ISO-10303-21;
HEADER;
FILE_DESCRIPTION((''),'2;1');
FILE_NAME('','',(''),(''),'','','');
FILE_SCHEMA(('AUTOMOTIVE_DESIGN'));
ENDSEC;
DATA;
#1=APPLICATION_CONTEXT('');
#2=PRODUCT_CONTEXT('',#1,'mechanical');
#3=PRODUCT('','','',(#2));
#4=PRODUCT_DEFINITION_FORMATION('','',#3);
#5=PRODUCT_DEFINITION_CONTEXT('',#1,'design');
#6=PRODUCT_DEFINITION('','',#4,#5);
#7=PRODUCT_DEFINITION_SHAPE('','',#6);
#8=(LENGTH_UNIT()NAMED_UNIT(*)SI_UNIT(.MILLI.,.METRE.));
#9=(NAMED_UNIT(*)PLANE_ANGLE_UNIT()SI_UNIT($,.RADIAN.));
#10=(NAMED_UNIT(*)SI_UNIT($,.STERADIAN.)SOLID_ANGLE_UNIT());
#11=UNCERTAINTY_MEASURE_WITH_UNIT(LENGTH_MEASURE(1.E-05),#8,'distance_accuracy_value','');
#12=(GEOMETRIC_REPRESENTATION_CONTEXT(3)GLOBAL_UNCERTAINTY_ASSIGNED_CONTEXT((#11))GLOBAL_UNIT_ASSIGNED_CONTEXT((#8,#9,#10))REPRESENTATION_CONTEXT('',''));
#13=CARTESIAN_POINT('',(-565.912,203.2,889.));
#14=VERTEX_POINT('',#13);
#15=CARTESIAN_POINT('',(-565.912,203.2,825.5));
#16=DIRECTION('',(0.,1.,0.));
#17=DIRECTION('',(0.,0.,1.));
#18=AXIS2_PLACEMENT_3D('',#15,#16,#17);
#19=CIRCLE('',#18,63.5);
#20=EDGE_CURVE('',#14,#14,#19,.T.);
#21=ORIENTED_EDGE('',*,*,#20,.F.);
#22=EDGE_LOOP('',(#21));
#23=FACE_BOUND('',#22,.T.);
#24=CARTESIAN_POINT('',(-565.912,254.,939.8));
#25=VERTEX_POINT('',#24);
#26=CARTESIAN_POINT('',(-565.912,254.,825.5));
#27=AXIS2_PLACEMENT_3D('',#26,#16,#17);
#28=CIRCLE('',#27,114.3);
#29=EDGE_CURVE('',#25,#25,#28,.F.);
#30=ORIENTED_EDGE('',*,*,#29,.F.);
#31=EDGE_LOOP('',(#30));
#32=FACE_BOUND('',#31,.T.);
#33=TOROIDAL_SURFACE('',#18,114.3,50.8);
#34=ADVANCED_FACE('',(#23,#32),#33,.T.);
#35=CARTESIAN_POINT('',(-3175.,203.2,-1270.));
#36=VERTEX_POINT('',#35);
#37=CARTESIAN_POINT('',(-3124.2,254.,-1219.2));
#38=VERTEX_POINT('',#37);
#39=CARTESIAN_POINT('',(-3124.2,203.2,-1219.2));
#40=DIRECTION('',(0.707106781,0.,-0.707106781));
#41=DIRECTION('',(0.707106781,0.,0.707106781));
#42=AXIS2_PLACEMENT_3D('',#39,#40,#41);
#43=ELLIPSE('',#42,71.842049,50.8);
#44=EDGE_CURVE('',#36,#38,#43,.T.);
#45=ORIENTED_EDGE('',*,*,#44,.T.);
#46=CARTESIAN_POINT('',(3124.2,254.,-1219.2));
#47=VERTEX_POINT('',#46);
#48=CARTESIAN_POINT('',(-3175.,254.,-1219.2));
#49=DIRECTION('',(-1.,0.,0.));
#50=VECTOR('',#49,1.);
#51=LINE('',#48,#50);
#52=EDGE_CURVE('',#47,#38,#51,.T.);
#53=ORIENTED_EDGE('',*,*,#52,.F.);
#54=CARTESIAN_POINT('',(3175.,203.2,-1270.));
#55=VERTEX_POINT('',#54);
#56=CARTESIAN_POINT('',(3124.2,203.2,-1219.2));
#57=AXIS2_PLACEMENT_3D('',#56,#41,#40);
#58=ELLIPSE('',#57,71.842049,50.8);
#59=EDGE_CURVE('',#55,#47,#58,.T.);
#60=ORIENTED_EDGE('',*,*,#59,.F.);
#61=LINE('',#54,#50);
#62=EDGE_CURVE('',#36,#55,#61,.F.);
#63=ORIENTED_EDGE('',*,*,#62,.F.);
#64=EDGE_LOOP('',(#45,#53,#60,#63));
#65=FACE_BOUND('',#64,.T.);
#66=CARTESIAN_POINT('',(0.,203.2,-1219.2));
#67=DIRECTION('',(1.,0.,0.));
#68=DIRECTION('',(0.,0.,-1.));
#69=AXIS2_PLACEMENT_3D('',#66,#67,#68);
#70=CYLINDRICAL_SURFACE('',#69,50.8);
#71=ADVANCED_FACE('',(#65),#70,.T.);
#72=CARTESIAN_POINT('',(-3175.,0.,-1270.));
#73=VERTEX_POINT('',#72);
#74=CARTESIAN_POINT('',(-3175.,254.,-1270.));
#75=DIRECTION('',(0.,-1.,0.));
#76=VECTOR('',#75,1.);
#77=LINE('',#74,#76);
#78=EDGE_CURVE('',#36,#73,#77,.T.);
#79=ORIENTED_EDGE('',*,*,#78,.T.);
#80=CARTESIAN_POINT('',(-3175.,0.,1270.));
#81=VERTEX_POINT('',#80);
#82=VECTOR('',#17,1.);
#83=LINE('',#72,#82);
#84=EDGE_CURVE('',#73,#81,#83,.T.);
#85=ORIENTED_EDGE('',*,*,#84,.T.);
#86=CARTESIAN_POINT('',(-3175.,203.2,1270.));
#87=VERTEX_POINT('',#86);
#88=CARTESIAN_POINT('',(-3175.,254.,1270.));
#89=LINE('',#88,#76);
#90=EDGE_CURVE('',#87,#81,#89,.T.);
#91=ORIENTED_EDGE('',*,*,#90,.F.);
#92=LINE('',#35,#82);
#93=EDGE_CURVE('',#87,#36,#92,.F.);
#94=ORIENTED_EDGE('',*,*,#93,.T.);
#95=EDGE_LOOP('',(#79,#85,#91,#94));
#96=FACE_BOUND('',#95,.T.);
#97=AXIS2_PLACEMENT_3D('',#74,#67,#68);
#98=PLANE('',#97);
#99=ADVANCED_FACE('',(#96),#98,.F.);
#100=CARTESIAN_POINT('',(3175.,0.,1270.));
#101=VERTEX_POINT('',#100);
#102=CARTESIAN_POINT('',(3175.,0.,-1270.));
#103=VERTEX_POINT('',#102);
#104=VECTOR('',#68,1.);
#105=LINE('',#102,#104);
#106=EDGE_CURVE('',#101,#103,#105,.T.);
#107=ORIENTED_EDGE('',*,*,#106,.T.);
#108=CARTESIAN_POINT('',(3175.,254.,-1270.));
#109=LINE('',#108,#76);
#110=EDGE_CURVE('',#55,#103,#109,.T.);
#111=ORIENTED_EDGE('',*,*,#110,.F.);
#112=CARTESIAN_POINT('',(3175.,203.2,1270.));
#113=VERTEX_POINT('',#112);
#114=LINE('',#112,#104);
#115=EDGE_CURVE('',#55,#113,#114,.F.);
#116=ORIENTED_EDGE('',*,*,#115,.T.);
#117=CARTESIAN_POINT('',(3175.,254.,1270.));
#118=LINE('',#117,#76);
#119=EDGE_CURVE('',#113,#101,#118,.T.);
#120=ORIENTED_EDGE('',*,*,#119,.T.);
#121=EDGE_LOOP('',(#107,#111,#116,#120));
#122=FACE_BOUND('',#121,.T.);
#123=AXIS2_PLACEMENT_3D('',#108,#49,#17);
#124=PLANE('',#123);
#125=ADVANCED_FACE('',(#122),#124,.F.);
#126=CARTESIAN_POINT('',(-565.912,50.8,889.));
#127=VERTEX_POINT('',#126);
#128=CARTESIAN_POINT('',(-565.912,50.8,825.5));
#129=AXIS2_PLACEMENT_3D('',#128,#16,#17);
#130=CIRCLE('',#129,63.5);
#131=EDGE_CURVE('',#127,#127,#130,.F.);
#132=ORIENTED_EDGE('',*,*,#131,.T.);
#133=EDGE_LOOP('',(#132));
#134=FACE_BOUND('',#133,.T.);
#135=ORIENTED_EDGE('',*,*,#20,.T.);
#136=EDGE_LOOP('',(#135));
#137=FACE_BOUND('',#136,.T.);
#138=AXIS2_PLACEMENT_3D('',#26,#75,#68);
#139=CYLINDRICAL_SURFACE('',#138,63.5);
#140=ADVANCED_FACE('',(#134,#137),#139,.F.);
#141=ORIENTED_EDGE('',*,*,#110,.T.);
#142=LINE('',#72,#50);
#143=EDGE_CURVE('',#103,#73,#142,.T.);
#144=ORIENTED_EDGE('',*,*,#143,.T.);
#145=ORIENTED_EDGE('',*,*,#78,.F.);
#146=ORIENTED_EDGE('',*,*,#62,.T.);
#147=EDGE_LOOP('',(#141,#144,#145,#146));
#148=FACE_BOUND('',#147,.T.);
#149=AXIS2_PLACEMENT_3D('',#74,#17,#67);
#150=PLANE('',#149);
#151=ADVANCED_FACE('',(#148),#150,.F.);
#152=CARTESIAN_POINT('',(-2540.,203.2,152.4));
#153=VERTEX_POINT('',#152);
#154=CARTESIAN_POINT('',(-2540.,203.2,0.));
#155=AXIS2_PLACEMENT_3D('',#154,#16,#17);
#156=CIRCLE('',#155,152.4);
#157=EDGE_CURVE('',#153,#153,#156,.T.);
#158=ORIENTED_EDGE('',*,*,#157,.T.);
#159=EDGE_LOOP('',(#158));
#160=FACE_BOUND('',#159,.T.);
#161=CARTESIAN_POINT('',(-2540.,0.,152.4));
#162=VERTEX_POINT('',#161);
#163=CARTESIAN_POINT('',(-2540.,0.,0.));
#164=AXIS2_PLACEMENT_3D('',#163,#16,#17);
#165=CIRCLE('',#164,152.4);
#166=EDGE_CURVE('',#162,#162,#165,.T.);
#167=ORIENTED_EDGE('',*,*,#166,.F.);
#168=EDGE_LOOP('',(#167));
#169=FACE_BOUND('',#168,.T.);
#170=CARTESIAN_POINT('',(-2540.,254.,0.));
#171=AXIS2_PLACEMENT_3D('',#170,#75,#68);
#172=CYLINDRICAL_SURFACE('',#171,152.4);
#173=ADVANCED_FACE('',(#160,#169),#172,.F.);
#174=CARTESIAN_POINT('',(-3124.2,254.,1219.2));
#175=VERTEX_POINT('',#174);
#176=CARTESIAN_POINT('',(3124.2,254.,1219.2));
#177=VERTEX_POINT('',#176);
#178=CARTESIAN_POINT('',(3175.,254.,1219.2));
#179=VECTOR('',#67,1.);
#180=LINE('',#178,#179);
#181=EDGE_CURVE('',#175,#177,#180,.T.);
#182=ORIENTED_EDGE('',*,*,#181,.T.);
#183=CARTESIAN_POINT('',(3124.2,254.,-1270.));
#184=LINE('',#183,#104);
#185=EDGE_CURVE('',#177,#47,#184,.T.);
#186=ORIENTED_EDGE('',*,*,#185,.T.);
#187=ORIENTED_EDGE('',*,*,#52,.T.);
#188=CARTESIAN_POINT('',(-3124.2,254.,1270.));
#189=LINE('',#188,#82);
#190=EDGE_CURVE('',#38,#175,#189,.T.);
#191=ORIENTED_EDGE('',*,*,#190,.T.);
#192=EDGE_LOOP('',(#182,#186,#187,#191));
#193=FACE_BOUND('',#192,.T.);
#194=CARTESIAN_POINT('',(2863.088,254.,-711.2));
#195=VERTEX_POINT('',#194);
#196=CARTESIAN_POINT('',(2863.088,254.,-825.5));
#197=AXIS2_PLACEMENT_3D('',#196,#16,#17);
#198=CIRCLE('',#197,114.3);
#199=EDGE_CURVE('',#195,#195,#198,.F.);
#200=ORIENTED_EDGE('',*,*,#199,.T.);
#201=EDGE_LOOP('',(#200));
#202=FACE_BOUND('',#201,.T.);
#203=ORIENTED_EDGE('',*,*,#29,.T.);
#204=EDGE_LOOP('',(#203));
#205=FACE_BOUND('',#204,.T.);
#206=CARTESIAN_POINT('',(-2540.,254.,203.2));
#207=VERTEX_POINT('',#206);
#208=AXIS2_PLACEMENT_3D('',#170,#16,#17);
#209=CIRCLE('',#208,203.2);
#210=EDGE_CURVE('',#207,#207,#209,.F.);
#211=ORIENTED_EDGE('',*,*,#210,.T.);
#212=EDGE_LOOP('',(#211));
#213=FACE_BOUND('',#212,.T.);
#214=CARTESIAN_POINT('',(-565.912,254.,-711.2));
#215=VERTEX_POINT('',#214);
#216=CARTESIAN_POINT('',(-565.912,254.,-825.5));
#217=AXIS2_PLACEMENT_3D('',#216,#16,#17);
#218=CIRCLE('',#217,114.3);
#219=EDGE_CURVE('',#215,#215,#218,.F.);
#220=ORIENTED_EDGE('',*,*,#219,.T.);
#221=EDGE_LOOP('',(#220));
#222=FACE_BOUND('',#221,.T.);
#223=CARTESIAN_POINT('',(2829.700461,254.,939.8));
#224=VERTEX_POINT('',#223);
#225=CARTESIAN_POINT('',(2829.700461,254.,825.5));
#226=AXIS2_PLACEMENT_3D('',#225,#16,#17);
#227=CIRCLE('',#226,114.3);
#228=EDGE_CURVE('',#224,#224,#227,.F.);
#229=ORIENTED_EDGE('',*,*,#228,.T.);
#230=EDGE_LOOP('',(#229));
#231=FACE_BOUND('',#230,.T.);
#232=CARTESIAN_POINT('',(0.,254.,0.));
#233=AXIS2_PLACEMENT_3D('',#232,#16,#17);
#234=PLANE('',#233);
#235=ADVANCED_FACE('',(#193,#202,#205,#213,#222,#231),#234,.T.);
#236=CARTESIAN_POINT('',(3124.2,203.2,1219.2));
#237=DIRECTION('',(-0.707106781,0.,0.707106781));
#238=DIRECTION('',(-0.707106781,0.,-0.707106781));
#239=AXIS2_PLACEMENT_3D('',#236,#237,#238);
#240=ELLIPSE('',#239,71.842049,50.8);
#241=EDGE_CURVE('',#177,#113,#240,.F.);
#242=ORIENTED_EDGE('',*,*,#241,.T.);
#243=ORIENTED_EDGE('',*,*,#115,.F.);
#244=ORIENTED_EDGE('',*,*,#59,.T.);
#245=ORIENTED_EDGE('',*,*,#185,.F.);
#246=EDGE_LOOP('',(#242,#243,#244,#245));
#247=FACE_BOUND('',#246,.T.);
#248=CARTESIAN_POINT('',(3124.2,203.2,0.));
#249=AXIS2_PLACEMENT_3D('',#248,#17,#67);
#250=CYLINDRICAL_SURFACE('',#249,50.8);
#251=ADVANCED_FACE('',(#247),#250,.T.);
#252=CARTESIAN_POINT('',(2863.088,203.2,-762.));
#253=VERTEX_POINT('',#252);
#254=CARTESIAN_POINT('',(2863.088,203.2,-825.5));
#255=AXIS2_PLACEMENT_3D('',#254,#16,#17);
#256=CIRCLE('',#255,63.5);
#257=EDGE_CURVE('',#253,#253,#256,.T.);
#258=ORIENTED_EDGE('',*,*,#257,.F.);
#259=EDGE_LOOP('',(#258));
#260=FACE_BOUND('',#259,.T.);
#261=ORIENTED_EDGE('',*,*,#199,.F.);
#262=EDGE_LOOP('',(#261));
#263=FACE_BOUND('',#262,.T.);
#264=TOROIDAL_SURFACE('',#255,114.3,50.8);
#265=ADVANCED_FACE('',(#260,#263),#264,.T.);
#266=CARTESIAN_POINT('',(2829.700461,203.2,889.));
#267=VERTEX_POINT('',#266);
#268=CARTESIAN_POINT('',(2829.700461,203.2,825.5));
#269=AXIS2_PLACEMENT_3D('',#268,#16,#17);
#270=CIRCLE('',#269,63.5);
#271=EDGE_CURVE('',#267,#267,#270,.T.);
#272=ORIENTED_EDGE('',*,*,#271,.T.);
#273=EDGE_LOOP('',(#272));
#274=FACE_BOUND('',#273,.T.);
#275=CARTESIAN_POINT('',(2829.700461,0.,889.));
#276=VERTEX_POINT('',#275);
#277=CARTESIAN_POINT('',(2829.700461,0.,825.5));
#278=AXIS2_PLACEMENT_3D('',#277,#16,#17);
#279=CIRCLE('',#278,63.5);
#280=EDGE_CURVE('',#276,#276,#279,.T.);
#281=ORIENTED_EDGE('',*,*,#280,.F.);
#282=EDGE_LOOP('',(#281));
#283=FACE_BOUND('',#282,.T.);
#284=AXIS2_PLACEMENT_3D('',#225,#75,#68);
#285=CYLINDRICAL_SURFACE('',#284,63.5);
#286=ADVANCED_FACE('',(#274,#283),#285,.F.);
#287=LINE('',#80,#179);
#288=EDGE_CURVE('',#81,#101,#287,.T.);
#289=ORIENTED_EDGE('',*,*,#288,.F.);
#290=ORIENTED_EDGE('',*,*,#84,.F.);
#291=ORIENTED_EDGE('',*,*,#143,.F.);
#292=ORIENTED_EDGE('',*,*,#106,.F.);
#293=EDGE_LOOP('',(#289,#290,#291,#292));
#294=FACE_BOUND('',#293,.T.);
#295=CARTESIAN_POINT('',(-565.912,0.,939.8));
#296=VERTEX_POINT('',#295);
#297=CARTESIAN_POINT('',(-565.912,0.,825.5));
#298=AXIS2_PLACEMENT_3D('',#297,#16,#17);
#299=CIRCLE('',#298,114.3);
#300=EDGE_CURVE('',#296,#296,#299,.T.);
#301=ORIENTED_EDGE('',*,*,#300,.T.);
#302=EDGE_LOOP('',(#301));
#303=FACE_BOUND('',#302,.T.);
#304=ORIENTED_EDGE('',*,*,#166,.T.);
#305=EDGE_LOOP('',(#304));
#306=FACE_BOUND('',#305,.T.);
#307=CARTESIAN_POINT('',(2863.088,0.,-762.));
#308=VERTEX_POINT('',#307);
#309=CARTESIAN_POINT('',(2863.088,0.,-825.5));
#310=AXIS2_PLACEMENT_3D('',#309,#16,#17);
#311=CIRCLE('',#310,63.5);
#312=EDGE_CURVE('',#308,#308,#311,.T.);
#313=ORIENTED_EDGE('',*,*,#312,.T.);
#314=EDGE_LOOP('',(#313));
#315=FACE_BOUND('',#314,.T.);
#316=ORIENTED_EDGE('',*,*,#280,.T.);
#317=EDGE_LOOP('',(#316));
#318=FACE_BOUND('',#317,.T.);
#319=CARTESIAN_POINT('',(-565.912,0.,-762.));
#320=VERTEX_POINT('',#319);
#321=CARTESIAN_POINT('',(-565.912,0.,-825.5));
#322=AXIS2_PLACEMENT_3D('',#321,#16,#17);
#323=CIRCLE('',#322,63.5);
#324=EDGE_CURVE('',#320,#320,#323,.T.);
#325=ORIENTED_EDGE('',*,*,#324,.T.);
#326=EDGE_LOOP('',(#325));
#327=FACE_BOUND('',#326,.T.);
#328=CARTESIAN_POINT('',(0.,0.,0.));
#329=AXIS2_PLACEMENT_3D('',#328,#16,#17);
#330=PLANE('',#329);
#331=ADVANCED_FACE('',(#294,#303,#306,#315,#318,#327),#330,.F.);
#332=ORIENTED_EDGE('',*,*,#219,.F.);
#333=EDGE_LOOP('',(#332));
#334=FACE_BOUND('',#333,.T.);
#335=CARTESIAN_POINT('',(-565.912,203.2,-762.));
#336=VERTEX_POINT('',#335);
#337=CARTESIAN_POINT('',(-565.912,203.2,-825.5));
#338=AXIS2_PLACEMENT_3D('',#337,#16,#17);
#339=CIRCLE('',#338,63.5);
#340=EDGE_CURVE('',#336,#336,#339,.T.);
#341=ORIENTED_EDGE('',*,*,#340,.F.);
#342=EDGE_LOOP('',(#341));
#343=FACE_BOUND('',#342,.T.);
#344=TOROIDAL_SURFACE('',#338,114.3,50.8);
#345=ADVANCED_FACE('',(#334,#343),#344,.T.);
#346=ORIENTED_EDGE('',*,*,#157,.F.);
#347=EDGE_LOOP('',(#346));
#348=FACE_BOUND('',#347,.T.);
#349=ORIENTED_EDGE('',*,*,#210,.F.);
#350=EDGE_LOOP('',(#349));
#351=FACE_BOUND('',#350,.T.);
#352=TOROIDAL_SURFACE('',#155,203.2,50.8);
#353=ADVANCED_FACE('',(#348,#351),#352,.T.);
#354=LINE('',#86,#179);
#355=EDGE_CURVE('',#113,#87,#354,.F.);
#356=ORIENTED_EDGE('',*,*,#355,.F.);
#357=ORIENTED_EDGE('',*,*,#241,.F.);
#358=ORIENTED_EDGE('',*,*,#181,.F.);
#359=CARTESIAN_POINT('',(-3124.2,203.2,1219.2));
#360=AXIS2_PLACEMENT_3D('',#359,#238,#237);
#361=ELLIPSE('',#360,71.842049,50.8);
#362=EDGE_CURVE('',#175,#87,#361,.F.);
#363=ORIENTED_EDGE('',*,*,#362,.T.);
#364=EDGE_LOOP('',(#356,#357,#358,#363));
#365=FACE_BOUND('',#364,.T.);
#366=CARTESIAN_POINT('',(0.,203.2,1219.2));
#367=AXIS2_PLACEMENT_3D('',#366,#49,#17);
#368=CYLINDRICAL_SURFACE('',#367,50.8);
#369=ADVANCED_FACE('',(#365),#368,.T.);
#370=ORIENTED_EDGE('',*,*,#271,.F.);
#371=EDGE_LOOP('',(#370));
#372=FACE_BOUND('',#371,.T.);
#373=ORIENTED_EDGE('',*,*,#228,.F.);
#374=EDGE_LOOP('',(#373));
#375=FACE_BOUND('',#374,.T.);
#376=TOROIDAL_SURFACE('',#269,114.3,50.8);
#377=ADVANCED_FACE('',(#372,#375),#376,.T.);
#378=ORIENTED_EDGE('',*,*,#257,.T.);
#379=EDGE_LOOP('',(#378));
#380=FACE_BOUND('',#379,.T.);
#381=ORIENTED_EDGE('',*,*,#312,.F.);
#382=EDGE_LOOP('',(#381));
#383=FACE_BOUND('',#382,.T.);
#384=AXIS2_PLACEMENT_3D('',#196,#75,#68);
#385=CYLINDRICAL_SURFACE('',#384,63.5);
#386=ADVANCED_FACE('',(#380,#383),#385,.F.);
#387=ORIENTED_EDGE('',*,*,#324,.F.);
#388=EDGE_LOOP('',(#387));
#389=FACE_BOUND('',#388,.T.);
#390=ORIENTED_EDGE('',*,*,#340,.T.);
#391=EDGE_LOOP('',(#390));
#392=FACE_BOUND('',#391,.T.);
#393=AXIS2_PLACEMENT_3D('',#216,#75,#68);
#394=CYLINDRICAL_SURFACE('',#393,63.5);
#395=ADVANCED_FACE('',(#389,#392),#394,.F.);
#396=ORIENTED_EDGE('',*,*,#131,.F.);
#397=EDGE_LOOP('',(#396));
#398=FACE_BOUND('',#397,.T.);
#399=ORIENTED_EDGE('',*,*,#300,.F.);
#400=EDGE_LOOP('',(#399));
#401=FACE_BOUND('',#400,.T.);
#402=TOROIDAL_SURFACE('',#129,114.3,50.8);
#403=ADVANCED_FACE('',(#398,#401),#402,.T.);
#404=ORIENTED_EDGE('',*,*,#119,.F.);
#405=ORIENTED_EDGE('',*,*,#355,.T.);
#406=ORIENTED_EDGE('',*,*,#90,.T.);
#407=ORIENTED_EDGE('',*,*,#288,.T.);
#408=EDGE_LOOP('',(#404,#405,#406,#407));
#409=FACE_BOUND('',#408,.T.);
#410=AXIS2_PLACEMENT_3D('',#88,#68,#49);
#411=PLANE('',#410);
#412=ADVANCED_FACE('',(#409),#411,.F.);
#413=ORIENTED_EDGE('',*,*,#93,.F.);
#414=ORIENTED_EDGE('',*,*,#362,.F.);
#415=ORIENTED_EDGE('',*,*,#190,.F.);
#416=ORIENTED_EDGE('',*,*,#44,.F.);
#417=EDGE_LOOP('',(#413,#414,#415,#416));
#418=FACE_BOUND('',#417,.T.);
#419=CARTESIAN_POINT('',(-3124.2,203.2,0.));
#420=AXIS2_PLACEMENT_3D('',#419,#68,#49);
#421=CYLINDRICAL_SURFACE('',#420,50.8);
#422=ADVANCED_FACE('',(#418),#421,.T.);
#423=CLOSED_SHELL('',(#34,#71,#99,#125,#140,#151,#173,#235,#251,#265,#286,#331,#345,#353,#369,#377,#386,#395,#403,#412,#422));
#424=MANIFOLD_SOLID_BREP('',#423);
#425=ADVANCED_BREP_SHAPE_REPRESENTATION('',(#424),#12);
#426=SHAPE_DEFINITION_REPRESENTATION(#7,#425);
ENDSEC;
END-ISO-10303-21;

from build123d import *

# Parameters (mm, degrees)
SKETCH1_W           = 6350
SKETCH1_H           = 2540
SKETCH1_R           = 152.4
SKETCH1_R_2         = 63.5
BOSS_EXTRUDE1_DEPTH = 254
FILLET1_R           = 50.8


with BuildPart() as part:
    # Sketch1 → Boss-Extrude1 (new body)
    with BuildSketch(Plane(origin=(0, 0, 0), x_dir=(1, 0, 0), z_dir=(0, 1, 0))):
        Rectangle(SKETCH1_W, SKETCH1_H)
        with Locations(Location((-2540, 0, 0), (0, 0, 270))):
            Circle(SKETCH1_R, mode=Mode.SUBTRACT)
        with Locations(Location((-565.912, 825.5, 0), (0, 0, 270))):
            Circle(SKETCH1_R_2, mode=Mode.SUBTRACT)
        with Locations(Location((-565.912, -825.5, 0), (0, 0, 270))):
            Circle(SKETCH1_R_2, mode=Mode.SUBTRACT)
        with Locations(Location((2829.700460829, -825.5, 0), (0, 0, 270))):
            Circle(SKETCH1_R_2, mode=Mode.SUBTRACT)
        with Locations(Location((2863.088, 825.5, 0), (0, 0, 270))):
            Circle(SKETCH1_R_2, mode=Mode.SUBTRACT)
    extrude(amount=BOSS_EXTRUDE1_DEPTH)

    # Fillet1
    fillet1_edges = [part.edges().sort_by_distance(p)[0] for p in [
        (-2540, 254, -152.4),
        (-3175, 254, 0),
        (-565.912, 254, -889),
        (0, 254, 1270),
        (-565.912, 0, 762),
        (-565.912, 254, 762),
        (2829.700460829, 254, 762),
        (2863.088, 254, -889),
        (3175, 254, 0),
        (0, 254, -1270),
    ]]
    fillet(fillet1_edges, radius=FILLET1_R)


solid = part.part
